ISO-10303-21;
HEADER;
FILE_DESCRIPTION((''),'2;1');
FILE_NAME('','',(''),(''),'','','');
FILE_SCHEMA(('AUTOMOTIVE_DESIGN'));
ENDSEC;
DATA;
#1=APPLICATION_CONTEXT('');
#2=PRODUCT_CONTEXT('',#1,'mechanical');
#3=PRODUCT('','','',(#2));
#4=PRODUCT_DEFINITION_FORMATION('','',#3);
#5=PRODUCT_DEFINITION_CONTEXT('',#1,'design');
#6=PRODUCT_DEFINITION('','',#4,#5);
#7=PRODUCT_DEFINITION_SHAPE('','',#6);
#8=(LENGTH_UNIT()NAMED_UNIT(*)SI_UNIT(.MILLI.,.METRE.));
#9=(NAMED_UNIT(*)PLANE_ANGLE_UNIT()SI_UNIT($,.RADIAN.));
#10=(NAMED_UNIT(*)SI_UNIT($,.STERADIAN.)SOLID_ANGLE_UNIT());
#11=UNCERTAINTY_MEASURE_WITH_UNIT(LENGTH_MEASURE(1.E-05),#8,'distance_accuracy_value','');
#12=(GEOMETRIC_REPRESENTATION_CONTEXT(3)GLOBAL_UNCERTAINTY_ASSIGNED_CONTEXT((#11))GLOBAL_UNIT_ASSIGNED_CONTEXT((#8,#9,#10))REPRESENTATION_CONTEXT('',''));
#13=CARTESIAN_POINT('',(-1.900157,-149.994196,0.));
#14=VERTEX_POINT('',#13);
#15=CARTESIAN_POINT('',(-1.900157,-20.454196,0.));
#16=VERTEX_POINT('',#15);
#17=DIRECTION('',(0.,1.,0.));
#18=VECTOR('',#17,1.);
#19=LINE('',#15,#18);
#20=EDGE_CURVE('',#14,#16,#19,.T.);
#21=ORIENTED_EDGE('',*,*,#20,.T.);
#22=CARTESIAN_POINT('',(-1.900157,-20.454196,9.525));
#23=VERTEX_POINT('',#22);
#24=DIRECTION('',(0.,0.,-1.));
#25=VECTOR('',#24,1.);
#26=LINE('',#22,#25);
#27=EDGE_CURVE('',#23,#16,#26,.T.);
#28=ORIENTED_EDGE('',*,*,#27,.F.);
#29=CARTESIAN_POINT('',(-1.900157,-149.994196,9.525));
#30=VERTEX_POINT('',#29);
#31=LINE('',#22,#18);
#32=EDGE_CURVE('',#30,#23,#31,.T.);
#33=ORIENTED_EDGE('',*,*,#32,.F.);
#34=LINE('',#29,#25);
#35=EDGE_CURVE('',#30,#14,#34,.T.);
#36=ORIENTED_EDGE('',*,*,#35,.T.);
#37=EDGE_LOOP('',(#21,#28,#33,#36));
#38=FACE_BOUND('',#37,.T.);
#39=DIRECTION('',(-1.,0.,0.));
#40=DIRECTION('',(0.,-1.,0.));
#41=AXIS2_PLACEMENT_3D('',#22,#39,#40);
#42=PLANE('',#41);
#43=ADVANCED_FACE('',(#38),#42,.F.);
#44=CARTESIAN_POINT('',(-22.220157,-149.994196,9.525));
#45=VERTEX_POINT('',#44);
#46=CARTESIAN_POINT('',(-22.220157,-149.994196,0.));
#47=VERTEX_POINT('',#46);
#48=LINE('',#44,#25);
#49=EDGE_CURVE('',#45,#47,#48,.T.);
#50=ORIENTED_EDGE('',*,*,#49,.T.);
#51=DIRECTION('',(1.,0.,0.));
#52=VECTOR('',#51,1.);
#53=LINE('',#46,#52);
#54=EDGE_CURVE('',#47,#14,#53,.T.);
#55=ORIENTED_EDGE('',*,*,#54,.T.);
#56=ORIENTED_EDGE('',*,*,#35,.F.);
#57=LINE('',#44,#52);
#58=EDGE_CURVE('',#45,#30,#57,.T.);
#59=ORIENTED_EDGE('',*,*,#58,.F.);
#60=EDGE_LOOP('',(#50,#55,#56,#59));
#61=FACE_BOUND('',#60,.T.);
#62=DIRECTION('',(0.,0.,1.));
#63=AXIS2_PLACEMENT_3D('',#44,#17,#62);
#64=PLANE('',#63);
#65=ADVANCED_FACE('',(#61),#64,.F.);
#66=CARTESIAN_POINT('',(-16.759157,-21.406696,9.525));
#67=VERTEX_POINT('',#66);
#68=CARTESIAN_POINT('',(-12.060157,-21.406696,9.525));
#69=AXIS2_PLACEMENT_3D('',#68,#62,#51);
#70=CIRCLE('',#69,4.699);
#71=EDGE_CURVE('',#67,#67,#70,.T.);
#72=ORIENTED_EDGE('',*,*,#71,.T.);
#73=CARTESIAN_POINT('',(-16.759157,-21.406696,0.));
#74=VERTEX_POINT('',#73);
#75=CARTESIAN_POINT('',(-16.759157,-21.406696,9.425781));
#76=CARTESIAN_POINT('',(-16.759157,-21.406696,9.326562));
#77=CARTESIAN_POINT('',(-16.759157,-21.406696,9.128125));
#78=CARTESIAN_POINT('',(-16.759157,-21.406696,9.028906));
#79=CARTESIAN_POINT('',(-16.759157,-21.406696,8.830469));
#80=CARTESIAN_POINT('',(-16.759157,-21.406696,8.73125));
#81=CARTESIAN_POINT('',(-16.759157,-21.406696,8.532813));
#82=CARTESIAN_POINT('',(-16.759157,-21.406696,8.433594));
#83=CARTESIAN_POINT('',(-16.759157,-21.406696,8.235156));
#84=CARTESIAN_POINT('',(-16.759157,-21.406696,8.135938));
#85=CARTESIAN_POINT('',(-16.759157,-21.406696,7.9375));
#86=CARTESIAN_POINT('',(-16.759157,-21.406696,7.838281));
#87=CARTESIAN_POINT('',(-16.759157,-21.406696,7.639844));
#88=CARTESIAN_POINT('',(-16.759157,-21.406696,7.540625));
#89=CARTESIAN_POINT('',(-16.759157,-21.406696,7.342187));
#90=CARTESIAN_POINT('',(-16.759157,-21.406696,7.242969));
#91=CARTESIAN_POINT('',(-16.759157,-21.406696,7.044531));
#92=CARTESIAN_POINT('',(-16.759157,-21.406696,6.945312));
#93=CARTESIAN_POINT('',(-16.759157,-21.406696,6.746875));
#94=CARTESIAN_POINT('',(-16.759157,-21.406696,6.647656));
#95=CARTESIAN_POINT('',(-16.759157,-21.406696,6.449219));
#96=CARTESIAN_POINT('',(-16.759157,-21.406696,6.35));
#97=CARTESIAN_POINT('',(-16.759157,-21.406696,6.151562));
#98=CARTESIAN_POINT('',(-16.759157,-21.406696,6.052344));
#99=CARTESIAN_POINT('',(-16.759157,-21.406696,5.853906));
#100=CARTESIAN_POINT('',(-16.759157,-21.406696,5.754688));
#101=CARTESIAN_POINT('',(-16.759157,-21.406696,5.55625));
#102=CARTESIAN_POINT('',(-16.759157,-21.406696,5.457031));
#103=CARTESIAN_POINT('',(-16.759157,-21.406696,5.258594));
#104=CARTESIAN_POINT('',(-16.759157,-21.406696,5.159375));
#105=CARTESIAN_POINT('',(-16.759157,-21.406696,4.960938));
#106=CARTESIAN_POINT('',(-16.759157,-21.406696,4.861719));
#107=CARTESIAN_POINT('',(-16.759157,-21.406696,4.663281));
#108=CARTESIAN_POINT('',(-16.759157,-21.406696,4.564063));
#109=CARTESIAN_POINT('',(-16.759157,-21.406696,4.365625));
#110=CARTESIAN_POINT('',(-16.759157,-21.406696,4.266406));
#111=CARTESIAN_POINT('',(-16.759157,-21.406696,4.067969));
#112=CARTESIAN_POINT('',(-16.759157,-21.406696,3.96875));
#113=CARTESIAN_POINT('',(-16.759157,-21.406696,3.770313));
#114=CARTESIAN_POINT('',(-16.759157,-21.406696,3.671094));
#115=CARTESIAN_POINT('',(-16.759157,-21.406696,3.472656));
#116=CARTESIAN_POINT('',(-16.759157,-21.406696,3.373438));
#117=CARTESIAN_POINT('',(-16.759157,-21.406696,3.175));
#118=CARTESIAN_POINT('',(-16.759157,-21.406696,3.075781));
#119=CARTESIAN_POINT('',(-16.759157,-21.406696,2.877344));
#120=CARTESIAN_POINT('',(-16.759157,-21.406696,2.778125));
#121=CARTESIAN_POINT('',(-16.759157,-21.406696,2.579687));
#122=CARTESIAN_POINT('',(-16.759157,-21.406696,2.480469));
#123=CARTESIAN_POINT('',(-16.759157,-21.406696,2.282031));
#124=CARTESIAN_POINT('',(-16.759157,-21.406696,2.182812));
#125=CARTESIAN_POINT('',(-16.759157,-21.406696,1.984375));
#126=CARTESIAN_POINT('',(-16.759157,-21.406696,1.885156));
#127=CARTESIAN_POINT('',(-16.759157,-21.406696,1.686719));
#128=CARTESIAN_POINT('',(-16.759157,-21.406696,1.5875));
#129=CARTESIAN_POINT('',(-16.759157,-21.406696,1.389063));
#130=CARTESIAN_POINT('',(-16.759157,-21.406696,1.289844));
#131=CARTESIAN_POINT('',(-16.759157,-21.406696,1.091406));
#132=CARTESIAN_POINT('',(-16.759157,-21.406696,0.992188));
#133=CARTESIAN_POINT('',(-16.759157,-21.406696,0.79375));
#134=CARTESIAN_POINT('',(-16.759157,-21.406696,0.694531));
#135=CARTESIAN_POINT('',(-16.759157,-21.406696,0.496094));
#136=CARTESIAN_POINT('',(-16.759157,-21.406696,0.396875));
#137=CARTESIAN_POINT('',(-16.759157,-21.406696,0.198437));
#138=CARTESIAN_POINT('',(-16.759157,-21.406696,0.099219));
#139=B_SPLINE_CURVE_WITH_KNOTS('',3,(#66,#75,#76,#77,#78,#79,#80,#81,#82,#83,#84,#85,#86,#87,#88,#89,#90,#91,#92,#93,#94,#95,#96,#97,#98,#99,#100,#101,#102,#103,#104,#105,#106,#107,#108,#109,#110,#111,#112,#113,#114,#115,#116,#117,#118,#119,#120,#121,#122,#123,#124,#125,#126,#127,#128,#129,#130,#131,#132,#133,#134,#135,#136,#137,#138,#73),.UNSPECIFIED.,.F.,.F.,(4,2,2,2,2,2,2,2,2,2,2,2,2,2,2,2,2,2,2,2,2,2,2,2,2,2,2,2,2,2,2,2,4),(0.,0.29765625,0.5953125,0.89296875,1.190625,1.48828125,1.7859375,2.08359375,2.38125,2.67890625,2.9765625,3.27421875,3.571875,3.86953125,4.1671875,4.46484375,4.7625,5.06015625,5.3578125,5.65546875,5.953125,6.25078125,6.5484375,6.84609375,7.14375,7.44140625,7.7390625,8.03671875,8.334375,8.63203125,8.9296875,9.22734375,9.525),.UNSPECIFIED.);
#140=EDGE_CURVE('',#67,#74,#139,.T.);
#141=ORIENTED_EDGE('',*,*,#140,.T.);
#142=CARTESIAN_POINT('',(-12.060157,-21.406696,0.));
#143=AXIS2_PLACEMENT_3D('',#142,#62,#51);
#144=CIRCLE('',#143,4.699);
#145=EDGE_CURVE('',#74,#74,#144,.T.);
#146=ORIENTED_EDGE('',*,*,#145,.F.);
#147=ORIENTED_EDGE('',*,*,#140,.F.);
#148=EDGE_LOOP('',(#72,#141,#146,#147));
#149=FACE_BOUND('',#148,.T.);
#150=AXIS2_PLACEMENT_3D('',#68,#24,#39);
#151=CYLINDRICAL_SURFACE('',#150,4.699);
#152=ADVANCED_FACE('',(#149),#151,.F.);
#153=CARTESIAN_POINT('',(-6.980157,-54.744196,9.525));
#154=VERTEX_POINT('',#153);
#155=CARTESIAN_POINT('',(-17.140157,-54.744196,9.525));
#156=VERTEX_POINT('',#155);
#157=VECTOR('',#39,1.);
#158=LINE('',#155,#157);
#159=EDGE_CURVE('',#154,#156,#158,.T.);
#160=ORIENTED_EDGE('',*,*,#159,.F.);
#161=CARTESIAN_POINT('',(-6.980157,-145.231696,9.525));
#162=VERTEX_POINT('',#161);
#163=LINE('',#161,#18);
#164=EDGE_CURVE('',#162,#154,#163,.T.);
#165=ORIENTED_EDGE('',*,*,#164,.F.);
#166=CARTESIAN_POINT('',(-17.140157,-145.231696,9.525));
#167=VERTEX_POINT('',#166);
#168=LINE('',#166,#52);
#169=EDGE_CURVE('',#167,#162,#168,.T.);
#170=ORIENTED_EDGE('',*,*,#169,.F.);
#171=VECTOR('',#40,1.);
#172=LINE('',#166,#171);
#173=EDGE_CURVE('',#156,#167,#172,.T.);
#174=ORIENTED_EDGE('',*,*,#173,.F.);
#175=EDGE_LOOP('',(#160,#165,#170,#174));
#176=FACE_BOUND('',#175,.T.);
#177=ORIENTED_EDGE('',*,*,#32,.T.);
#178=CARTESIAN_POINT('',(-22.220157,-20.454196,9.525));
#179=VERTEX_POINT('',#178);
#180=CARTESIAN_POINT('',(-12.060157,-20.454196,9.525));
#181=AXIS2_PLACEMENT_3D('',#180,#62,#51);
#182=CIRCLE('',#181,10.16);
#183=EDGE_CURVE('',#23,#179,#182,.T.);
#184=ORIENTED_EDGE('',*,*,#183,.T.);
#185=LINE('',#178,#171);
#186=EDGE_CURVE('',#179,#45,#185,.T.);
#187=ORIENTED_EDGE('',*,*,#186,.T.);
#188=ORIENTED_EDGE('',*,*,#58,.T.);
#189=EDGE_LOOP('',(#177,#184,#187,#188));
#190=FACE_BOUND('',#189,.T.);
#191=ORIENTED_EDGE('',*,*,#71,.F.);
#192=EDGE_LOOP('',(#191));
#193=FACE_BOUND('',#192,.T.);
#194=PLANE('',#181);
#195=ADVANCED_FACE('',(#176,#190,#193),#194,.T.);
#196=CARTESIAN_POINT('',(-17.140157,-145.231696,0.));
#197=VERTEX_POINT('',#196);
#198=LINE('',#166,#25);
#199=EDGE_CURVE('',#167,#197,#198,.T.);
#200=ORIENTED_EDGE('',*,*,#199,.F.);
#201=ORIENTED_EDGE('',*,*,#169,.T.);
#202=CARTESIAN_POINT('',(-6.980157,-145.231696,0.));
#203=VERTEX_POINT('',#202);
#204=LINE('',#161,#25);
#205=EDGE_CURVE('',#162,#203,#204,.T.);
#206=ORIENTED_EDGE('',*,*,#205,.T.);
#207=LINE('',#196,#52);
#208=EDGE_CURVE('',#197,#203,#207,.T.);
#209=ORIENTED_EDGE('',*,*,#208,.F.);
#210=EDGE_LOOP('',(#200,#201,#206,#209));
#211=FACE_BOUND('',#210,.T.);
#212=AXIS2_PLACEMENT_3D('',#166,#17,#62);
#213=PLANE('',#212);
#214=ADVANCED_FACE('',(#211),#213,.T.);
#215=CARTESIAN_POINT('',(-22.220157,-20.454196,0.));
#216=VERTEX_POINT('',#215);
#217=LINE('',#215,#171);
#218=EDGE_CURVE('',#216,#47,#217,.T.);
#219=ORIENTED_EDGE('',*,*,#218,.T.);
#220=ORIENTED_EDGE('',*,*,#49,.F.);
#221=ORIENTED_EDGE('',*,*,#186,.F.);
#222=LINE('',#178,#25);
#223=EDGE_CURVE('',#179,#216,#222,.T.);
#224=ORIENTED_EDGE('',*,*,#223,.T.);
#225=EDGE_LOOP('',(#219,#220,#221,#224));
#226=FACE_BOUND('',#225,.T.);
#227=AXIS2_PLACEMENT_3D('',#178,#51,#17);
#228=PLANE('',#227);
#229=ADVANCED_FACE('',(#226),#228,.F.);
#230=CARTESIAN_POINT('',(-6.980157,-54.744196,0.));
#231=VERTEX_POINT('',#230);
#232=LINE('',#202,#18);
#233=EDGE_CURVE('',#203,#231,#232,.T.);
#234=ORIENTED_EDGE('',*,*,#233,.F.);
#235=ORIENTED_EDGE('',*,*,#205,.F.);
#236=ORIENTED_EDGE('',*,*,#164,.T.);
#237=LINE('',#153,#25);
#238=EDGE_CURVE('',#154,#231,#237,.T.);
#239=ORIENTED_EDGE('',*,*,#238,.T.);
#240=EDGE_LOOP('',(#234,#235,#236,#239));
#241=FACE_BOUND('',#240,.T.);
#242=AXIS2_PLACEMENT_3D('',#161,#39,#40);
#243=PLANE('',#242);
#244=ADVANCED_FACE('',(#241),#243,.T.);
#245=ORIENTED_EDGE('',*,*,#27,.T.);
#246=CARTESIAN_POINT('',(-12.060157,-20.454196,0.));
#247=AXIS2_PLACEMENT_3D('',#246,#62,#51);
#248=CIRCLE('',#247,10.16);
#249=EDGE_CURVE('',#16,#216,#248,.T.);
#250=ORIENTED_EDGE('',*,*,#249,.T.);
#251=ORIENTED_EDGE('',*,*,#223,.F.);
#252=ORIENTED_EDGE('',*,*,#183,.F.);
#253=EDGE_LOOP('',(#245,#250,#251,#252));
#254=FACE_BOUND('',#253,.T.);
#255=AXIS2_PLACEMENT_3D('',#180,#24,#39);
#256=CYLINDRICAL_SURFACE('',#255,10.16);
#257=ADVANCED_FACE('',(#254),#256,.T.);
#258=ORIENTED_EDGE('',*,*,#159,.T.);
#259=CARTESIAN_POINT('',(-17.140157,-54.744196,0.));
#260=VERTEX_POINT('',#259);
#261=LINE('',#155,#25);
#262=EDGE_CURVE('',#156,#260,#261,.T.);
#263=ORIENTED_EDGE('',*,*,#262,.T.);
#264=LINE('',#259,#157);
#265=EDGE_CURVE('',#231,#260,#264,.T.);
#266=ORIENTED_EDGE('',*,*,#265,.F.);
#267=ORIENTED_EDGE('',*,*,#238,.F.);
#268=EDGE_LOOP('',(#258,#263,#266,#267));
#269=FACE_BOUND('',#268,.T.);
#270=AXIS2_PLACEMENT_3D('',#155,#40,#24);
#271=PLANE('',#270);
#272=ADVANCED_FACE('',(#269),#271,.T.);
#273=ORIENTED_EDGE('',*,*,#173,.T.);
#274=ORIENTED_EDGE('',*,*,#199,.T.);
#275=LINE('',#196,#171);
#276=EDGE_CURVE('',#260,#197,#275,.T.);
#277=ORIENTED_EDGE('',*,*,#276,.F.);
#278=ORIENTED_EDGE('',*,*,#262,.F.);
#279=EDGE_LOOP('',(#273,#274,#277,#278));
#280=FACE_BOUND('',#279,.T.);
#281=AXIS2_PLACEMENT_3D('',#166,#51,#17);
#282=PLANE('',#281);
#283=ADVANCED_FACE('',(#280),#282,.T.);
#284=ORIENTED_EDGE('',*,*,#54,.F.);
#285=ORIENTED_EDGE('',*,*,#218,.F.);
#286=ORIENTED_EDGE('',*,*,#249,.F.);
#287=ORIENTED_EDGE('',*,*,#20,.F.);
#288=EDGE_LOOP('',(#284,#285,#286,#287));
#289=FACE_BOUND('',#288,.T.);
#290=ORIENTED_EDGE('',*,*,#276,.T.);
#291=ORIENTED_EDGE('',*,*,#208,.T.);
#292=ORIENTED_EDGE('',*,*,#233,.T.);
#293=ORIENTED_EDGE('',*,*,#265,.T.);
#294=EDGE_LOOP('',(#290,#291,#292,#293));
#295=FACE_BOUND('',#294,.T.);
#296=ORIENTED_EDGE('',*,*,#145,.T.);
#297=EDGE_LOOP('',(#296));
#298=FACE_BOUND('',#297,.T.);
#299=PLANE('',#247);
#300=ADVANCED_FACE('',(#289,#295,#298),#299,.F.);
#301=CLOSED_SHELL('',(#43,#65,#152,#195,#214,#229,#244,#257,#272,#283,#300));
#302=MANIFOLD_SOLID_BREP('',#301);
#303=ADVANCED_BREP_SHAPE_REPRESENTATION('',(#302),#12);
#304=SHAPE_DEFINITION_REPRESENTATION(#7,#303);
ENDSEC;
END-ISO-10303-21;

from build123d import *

# Parameters (mm, degrees)
SKETCH2_R           = 4.699
SKETCH2_W           = 10.16
SKETCH2_H           = 90.4875
BOSS_EXTRUDE1_DEPTH = 9.525


with BuildPart() as part:
    # Sketch2 → Boss-Extrude1 (new body)
    with BuildSketch(Plane.XY):
        with BuildLine():
            Line((-22.220156591, -20.454196066), (-22.220156591, -149.994196066))
            Line((-22.220156591, -149.994196066), (-1.900156591, -149.994196066))
            Line((-1.900156591, -149.994196066), (-1.900156591, -20.454196066))
            ThreePointArc((-1.900156591, -20.454196066), (-12.060156591, -10.294196066), (-22.220156591, -20.454196066))
        make_face()
        with Locations(Location((-12.060156591, -21.406696066, 0), (0, 0, 180))):
            Circle(SKETCH2_R, mode=Mode.SUBTRACT)
        with Locations((-12.060156591, -99.987946066)):
            Rectangle(SKETCH2_W, SKETCH2_H, mode=Mode.SUBTRACT)
    extrude(amount=BOSS_EXTRUDE1_DEPTH)


solid = part.part
